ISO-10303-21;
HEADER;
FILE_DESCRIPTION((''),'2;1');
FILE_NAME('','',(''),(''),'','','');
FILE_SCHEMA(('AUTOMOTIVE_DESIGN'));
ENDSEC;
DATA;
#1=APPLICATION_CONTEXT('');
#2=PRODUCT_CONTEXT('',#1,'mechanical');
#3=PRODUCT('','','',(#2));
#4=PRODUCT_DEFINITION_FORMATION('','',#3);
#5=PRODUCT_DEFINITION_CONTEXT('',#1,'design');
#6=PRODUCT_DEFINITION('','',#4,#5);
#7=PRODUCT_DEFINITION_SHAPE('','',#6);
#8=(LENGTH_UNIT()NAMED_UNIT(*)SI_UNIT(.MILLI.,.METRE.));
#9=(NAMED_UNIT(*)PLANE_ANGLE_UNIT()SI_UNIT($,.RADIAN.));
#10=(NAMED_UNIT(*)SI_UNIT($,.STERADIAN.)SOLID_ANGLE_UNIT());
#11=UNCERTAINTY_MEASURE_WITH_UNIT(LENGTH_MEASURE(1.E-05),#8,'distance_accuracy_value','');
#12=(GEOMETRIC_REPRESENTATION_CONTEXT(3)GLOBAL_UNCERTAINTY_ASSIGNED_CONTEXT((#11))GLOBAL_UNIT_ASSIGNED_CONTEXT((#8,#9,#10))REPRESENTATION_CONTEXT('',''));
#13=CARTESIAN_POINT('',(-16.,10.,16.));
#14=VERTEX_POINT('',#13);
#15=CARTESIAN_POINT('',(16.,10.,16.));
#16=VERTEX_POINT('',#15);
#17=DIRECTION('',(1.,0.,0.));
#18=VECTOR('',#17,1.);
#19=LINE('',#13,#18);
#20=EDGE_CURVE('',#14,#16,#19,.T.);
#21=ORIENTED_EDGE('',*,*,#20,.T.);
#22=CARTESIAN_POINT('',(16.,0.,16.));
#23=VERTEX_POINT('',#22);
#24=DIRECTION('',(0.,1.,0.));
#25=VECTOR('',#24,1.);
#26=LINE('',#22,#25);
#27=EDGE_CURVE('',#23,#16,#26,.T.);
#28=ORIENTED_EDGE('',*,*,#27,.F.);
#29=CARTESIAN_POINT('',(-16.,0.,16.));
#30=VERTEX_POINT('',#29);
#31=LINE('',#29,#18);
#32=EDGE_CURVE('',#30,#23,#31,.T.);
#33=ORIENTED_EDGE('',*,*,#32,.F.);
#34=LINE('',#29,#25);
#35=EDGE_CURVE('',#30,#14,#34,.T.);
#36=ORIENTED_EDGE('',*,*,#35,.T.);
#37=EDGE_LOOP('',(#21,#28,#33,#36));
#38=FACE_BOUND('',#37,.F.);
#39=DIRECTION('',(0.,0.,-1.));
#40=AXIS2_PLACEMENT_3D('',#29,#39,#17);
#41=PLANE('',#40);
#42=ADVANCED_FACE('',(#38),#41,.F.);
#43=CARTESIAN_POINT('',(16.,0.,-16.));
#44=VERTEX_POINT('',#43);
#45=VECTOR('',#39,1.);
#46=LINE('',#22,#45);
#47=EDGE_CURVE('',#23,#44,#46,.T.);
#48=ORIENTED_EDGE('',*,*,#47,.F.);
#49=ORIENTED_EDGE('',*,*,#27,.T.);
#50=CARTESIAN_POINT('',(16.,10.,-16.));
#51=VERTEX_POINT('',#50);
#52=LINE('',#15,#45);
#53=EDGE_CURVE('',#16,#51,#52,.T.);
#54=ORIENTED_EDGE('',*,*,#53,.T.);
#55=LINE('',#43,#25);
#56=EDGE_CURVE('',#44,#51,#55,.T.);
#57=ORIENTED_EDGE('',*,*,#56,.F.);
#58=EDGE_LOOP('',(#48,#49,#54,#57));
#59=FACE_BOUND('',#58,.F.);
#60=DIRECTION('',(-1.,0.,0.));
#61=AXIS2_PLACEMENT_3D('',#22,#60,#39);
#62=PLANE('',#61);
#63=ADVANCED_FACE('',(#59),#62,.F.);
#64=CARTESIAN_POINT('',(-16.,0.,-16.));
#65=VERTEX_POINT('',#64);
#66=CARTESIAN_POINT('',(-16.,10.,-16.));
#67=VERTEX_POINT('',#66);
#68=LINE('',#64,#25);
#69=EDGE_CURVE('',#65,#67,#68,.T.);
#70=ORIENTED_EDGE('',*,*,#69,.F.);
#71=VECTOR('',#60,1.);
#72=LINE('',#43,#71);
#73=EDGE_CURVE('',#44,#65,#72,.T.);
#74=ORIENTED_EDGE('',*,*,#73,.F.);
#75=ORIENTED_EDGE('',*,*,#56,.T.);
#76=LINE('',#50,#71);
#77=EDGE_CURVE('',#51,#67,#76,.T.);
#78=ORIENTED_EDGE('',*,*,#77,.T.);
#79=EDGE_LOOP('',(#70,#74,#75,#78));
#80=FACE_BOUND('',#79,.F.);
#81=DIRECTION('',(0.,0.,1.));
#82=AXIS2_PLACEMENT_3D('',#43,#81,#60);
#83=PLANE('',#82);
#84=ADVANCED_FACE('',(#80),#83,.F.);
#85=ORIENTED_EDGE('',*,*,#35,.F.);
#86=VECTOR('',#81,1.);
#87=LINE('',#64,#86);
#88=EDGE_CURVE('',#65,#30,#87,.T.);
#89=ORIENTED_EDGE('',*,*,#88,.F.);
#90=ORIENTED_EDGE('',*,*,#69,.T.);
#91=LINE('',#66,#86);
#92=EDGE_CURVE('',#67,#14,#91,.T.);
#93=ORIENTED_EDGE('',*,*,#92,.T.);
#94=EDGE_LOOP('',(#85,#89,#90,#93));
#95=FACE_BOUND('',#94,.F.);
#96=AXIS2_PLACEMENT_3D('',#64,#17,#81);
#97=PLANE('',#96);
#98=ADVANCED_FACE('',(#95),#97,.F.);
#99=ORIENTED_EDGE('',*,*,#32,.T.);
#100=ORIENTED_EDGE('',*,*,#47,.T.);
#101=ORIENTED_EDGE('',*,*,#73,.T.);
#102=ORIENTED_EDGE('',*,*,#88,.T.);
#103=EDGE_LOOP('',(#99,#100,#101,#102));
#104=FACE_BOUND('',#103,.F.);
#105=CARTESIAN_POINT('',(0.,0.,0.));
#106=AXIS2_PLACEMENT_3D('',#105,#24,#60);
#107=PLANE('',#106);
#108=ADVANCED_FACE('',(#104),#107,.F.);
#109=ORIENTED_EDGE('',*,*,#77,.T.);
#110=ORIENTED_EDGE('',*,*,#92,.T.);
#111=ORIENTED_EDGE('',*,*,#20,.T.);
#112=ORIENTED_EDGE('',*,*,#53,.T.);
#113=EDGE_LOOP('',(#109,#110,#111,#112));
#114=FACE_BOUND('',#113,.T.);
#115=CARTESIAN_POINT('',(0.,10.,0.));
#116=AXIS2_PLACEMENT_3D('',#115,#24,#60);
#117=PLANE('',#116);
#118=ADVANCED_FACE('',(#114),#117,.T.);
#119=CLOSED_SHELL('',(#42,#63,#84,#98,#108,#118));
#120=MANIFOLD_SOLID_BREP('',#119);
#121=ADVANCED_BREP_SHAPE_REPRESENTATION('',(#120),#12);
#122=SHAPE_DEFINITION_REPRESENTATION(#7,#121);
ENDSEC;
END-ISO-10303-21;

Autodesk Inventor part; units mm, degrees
ref_plane "YZ Plane" through (0, 0, 0) normal (1, 0, 0) x (0, 1, 0)
ref_plane "XZ Plane" through (0, 0, 0) normal (0, 1, 0) x (-1, 0, 0)
ref_plane "XY Plane" through (0, 0, 0) normal (0, 0, 1) x (1, 0, 0)
sketch "スケッチ1" plane through (0, 0, 0) normal (0, 1, 0) x (-1, 0, 0)
  line L0 (16, 16) -> (-16, 16)
  line L1 (-16, 16) -> (-16, -16)
  line L2 (-16, -16) -> (16, -16)
  line L3 (16, -16) -> (16, 16)
  line L4 (16, 16) -> (-16, -16) construction
  line L5 (-16, 16) -> (16, -16) construction
  point P0 (0, 0)
  dimension "d0" = 32
  dimension "d1" = 32
extrude "押し出し1" add sketch "スケッチ1" along normal blind 10
properties part number "GPSkibann"
